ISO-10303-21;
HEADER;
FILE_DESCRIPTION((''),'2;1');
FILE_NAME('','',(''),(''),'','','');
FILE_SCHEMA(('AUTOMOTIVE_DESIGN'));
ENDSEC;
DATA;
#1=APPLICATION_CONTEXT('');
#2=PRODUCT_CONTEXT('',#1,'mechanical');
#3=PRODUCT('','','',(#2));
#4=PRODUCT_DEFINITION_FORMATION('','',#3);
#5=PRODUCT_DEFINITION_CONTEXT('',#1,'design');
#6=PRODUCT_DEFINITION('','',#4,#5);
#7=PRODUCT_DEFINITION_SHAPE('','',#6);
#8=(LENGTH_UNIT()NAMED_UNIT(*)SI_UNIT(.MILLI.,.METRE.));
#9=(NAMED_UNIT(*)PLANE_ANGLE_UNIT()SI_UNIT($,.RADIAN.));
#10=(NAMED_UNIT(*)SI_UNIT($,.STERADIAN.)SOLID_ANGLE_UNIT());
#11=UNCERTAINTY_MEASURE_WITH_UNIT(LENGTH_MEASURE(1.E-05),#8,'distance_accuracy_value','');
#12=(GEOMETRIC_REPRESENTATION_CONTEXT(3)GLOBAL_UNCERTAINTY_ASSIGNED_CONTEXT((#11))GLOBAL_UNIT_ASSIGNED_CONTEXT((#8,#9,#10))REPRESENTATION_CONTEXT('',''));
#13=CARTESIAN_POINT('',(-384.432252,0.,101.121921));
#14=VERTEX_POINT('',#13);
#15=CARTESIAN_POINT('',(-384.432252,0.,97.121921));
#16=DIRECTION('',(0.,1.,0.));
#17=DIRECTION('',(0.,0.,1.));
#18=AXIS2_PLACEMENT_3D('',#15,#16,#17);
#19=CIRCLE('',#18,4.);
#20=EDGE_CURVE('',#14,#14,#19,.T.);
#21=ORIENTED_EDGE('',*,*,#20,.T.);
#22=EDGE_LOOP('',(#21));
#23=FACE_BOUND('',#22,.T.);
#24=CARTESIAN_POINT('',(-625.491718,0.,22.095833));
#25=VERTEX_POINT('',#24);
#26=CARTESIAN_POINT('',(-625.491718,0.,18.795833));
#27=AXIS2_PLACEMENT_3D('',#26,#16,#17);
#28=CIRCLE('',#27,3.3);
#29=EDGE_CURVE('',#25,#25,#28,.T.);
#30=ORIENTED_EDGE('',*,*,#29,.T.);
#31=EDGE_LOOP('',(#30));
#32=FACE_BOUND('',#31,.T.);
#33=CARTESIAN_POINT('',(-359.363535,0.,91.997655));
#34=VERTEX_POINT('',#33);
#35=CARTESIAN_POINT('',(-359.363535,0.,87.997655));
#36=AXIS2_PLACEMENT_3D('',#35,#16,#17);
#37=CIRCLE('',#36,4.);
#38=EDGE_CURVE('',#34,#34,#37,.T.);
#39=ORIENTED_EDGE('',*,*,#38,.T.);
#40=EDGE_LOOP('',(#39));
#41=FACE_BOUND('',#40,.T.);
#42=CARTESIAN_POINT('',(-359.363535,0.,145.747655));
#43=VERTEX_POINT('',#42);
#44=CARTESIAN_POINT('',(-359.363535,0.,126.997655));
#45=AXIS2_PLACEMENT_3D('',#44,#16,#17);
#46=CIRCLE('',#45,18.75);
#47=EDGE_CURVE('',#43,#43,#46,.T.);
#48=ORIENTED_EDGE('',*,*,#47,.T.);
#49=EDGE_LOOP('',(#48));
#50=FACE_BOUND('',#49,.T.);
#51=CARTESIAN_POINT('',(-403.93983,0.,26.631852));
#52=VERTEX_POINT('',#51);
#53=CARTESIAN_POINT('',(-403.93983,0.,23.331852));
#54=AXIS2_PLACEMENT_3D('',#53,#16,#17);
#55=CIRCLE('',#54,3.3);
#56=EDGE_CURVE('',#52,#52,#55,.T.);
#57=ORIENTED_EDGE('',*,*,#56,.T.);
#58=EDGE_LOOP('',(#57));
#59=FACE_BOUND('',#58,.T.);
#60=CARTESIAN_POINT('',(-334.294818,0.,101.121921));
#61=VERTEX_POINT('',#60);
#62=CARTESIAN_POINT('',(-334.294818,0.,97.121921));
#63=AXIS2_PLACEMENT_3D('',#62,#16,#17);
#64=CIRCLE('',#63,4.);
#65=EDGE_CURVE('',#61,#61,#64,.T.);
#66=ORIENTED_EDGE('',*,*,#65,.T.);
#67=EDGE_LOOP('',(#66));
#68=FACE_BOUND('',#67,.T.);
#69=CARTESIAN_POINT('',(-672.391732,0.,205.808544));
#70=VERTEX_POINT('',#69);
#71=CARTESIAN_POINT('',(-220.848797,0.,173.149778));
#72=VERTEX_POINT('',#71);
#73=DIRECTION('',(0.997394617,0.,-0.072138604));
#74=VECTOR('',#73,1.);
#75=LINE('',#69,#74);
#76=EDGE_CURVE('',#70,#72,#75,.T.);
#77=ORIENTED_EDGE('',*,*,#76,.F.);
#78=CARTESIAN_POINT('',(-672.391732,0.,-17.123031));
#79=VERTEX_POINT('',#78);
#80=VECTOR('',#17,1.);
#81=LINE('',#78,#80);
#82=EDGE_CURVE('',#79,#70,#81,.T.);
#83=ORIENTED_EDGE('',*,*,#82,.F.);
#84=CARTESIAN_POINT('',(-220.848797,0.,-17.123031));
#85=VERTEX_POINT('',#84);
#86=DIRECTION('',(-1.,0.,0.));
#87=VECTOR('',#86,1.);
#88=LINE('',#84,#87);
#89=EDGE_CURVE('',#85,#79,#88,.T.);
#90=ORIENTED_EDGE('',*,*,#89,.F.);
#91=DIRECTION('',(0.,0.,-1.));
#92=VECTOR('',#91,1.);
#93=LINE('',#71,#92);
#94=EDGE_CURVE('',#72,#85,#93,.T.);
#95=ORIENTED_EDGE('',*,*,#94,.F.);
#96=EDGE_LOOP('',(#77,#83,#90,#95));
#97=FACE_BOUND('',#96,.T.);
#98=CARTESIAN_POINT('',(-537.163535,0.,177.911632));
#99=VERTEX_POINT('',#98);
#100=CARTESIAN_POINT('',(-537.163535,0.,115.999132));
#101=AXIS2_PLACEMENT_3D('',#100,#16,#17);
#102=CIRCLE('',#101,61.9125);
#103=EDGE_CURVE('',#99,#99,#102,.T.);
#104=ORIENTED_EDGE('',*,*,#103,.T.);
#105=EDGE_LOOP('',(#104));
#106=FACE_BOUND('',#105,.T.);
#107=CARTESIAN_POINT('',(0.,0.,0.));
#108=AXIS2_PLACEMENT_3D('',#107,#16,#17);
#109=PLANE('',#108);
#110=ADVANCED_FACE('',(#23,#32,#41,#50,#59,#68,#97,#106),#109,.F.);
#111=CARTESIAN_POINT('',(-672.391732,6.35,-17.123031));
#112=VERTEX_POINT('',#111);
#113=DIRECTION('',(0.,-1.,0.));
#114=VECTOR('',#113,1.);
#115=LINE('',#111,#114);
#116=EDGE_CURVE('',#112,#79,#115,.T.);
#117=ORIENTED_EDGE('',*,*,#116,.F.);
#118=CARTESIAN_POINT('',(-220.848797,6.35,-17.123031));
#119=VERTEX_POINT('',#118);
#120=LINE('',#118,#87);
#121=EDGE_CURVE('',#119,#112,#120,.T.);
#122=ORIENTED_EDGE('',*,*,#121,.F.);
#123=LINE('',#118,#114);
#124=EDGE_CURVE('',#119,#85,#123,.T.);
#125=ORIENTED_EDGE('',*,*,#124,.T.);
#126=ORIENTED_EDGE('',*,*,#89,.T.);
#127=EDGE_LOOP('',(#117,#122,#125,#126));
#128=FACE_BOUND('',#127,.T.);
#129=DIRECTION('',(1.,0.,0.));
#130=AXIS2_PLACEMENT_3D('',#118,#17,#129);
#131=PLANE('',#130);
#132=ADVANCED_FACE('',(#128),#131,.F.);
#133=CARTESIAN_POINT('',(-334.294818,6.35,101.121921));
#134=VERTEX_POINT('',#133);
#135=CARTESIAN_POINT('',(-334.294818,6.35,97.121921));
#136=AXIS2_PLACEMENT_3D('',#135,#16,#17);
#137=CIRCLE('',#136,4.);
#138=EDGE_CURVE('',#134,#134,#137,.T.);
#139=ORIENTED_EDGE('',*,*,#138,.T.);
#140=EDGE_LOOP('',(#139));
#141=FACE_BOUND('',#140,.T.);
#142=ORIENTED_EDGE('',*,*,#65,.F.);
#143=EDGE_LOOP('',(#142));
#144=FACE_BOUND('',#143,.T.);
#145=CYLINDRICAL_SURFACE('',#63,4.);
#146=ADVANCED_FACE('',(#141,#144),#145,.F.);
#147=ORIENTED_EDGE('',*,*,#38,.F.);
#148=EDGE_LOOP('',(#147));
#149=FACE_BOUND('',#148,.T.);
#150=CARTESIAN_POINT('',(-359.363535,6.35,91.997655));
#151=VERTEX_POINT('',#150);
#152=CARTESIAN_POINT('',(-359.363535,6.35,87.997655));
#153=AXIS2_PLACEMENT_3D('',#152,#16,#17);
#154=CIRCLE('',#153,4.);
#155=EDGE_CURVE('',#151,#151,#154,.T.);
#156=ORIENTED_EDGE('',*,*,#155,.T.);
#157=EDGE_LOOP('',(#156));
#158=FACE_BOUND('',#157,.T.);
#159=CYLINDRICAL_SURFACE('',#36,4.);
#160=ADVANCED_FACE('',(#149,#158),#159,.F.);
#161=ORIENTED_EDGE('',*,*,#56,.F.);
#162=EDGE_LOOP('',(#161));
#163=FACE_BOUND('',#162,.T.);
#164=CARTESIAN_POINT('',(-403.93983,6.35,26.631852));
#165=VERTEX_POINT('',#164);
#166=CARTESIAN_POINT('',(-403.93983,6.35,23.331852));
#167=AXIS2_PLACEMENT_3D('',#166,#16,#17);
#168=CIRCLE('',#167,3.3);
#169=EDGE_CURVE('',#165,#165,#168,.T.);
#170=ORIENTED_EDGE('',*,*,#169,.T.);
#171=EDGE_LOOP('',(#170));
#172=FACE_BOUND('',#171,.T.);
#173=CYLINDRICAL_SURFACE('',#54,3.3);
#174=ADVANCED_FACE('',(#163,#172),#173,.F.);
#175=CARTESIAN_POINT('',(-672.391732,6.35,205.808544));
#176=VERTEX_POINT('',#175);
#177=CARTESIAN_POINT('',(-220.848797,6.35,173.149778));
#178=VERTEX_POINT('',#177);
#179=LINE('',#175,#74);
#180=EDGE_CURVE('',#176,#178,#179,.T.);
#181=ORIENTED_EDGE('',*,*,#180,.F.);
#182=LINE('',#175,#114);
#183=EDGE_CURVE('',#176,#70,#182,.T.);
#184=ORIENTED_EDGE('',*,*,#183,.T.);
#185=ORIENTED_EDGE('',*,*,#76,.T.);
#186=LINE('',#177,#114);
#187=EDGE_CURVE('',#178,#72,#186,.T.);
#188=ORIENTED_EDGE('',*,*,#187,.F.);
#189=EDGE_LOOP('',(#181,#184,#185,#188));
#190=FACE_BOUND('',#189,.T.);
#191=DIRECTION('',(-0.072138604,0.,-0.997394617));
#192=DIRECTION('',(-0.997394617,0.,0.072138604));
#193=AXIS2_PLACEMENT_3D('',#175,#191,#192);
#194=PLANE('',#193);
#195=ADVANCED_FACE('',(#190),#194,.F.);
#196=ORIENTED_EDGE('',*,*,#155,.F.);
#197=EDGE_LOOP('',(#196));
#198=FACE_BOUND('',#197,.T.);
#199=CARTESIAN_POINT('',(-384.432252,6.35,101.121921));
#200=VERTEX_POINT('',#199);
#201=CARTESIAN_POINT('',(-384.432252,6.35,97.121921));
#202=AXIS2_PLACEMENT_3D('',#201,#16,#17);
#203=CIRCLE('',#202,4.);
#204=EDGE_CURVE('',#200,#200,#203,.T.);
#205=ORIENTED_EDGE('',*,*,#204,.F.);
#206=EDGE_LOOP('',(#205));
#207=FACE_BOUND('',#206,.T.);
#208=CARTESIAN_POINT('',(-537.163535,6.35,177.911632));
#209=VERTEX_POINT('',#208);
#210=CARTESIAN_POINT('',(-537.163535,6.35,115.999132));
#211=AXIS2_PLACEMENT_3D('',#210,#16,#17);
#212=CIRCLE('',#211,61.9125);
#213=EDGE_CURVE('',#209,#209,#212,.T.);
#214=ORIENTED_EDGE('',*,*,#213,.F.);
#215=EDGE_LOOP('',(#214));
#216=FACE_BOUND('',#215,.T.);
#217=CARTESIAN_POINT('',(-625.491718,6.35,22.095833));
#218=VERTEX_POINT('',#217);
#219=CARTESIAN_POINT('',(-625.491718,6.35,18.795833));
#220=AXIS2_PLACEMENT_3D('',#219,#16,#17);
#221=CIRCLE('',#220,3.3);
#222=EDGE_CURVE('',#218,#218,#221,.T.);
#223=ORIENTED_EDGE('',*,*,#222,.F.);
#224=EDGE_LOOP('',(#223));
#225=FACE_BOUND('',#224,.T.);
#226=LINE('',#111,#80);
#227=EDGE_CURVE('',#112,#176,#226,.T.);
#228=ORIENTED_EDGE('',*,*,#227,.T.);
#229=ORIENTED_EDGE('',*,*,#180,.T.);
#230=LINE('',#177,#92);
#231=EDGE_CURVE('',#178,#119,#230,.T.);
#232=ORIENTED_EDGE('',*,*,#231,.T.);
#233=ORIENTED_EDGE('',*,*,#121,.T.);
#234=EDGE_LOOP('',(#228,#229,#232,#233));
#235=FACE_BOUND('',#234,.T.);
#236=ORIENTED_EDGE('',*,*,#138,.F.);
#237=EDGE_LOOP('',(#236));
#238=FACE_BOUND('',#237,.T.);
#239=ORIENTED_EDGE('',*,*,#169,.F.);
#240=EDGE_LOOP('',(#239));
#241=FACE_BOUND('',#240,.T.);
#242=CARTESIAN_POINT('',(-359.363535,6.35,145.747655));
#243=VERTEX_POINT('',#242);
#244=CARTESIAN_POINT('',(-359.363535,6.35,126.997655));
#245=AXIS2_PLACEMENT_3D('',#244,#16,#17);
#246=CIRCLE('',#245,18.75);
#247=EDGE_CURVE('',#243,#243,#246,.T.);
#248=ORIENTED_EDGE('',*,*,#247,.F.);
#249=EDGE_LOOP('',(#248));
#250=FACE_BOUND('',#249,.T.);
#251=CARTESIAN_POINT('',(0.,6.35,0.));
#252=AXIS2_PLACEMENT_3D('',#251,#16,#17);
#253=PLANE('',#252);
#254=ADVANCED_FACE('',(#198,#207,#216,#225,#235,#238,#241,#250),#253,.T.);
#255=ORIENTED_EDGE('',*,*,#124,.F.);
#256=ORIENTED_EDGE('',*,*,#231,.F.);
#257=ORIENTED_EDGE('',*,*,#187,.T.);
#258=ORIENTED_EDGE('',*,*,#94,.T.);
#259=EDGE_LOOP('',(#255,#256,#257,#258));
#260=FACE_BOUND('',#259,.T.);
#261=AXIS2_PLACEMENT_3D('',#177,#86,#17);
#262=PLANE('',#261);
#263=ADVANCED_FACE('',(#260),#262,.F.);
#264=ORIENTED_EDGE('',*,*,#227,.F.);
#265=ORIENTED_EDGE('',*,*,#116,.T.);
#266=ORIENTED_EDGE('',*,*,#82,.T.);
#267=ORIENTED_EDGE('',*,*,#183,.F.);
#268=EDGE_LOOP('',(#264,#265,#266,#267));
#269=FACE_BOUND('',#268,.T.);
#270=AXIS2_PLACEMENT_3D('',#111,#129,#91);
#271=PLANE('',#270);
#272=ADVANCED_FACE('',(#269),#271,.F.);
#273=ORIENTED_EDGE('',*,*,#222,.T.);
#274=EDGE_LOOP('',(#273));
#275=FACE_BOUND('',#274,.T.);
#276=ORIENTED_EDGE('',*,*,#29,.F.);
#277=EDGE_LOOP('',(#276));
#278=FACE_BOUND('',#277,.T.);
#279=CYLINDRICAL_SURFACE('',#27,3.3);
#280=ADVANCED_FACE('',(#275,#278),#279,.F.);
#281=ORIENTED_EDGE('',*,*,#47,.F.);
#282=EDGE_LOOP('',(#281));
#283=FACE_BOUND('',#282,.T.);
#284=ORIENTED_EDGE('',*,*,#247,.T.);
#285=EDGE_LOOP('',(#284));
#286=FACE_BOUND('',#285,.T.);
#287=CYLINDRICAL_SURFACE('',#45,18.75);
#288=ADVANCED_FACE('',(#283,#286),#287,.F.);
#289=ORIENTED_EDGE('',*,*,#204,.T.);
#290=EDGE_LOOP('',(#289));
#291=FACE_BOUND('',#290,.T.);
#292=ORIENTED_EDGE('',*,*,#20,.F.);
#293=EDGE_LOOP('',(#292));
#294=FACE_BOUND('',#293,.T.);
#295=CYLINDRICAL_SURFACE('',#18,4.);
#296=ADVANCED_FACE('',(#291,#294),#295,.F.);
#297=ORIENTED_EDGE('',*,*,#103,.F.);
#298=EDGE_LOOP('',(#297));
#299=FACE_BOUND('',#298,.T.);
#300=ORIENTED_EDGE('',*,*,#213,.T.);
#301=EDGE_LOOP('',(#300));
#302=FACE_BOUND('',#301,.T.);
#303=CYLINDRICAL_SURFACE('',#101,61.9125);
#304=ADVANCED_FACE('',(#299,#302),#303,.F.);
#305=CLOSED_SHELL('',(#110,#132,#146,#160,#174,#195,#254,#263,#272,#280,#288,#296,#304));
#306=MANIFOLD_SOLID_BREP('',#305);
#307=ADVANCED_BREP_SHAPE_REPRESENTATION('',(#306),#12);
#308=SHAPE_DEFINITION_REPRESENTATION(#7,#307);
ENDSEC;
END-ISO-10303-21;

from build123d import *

# Parameters (mm, degrees)
BOSS_EXTRUDE2_DEPTH = 6.35
SKETCH3_R           = 3.3
SKETCH3_R_2         = 4
SKETCH3_R_3         = 61.9125
SKETCH3_R_4         = 18.75
CUT_EXTRUDE1_DEPTH  = 704.212713409


with BuildPart() as part:
    # Sketch2 → Boss-Extrude2 (new body)
    with BuildSketch(Plane(origin=(0, 0, 0), x_dir=(1, 0, 0), z_dir=(0, 1, 0))):
        Polygon((-672.391731841, 17.123030998), (-672.391731841, -205.808543922), (-220.848796652, -173.149778169), (-220.848796652, 17.123030998), align=None)
    extrude(amount=BOSS_EXTRUDE2_DEPTH)

    # Sketch3 → Cut-Extrude1 (cut, through all)
    with BuildSketch(Plane(origin=(0, 6.35, 0), x_dir=(1, 0, 0), z_dir=(0, 1, 0))):
        with Locations(Location((-403.939830292, -23.331851988, 0), (0, 0, 270))):
            Circle(SKETCH3_R)
        with Locations(Location((-625.491718045, -18.795833368, 0), (0, 0, 270))):
            Circle(SKETCH3_R)
        with Locations(Location((-359.363535158, -87.997654624, 0), (0, 0, 270))):
            Circle(SKETCH3_R_2)
        with Locations(Location((-384.432251936, -97.121921342, 0), (0, 0, 270))):
            Circle(SKETCH3_R_2)
        with Locations(Location((-334.294818381, -97.121921342, 0), (0, 0, 270))):
            Circle(SKETCH3_R_2)
        with Locations(Location((-537.163535159, -115.999131996, 0), (0, 0, 270))):
            Circle(SKETCH3_R_3)
        with Locations(Location((-359.363535158, -126.997654624, 0), (0, 0, 270))):
            Circle(SKETCH3_R_4)
    extrude(amount=-CUT_EXTRUDE1_DEPTH, mode=Mode.SUBTRACT)


solid = part.part
